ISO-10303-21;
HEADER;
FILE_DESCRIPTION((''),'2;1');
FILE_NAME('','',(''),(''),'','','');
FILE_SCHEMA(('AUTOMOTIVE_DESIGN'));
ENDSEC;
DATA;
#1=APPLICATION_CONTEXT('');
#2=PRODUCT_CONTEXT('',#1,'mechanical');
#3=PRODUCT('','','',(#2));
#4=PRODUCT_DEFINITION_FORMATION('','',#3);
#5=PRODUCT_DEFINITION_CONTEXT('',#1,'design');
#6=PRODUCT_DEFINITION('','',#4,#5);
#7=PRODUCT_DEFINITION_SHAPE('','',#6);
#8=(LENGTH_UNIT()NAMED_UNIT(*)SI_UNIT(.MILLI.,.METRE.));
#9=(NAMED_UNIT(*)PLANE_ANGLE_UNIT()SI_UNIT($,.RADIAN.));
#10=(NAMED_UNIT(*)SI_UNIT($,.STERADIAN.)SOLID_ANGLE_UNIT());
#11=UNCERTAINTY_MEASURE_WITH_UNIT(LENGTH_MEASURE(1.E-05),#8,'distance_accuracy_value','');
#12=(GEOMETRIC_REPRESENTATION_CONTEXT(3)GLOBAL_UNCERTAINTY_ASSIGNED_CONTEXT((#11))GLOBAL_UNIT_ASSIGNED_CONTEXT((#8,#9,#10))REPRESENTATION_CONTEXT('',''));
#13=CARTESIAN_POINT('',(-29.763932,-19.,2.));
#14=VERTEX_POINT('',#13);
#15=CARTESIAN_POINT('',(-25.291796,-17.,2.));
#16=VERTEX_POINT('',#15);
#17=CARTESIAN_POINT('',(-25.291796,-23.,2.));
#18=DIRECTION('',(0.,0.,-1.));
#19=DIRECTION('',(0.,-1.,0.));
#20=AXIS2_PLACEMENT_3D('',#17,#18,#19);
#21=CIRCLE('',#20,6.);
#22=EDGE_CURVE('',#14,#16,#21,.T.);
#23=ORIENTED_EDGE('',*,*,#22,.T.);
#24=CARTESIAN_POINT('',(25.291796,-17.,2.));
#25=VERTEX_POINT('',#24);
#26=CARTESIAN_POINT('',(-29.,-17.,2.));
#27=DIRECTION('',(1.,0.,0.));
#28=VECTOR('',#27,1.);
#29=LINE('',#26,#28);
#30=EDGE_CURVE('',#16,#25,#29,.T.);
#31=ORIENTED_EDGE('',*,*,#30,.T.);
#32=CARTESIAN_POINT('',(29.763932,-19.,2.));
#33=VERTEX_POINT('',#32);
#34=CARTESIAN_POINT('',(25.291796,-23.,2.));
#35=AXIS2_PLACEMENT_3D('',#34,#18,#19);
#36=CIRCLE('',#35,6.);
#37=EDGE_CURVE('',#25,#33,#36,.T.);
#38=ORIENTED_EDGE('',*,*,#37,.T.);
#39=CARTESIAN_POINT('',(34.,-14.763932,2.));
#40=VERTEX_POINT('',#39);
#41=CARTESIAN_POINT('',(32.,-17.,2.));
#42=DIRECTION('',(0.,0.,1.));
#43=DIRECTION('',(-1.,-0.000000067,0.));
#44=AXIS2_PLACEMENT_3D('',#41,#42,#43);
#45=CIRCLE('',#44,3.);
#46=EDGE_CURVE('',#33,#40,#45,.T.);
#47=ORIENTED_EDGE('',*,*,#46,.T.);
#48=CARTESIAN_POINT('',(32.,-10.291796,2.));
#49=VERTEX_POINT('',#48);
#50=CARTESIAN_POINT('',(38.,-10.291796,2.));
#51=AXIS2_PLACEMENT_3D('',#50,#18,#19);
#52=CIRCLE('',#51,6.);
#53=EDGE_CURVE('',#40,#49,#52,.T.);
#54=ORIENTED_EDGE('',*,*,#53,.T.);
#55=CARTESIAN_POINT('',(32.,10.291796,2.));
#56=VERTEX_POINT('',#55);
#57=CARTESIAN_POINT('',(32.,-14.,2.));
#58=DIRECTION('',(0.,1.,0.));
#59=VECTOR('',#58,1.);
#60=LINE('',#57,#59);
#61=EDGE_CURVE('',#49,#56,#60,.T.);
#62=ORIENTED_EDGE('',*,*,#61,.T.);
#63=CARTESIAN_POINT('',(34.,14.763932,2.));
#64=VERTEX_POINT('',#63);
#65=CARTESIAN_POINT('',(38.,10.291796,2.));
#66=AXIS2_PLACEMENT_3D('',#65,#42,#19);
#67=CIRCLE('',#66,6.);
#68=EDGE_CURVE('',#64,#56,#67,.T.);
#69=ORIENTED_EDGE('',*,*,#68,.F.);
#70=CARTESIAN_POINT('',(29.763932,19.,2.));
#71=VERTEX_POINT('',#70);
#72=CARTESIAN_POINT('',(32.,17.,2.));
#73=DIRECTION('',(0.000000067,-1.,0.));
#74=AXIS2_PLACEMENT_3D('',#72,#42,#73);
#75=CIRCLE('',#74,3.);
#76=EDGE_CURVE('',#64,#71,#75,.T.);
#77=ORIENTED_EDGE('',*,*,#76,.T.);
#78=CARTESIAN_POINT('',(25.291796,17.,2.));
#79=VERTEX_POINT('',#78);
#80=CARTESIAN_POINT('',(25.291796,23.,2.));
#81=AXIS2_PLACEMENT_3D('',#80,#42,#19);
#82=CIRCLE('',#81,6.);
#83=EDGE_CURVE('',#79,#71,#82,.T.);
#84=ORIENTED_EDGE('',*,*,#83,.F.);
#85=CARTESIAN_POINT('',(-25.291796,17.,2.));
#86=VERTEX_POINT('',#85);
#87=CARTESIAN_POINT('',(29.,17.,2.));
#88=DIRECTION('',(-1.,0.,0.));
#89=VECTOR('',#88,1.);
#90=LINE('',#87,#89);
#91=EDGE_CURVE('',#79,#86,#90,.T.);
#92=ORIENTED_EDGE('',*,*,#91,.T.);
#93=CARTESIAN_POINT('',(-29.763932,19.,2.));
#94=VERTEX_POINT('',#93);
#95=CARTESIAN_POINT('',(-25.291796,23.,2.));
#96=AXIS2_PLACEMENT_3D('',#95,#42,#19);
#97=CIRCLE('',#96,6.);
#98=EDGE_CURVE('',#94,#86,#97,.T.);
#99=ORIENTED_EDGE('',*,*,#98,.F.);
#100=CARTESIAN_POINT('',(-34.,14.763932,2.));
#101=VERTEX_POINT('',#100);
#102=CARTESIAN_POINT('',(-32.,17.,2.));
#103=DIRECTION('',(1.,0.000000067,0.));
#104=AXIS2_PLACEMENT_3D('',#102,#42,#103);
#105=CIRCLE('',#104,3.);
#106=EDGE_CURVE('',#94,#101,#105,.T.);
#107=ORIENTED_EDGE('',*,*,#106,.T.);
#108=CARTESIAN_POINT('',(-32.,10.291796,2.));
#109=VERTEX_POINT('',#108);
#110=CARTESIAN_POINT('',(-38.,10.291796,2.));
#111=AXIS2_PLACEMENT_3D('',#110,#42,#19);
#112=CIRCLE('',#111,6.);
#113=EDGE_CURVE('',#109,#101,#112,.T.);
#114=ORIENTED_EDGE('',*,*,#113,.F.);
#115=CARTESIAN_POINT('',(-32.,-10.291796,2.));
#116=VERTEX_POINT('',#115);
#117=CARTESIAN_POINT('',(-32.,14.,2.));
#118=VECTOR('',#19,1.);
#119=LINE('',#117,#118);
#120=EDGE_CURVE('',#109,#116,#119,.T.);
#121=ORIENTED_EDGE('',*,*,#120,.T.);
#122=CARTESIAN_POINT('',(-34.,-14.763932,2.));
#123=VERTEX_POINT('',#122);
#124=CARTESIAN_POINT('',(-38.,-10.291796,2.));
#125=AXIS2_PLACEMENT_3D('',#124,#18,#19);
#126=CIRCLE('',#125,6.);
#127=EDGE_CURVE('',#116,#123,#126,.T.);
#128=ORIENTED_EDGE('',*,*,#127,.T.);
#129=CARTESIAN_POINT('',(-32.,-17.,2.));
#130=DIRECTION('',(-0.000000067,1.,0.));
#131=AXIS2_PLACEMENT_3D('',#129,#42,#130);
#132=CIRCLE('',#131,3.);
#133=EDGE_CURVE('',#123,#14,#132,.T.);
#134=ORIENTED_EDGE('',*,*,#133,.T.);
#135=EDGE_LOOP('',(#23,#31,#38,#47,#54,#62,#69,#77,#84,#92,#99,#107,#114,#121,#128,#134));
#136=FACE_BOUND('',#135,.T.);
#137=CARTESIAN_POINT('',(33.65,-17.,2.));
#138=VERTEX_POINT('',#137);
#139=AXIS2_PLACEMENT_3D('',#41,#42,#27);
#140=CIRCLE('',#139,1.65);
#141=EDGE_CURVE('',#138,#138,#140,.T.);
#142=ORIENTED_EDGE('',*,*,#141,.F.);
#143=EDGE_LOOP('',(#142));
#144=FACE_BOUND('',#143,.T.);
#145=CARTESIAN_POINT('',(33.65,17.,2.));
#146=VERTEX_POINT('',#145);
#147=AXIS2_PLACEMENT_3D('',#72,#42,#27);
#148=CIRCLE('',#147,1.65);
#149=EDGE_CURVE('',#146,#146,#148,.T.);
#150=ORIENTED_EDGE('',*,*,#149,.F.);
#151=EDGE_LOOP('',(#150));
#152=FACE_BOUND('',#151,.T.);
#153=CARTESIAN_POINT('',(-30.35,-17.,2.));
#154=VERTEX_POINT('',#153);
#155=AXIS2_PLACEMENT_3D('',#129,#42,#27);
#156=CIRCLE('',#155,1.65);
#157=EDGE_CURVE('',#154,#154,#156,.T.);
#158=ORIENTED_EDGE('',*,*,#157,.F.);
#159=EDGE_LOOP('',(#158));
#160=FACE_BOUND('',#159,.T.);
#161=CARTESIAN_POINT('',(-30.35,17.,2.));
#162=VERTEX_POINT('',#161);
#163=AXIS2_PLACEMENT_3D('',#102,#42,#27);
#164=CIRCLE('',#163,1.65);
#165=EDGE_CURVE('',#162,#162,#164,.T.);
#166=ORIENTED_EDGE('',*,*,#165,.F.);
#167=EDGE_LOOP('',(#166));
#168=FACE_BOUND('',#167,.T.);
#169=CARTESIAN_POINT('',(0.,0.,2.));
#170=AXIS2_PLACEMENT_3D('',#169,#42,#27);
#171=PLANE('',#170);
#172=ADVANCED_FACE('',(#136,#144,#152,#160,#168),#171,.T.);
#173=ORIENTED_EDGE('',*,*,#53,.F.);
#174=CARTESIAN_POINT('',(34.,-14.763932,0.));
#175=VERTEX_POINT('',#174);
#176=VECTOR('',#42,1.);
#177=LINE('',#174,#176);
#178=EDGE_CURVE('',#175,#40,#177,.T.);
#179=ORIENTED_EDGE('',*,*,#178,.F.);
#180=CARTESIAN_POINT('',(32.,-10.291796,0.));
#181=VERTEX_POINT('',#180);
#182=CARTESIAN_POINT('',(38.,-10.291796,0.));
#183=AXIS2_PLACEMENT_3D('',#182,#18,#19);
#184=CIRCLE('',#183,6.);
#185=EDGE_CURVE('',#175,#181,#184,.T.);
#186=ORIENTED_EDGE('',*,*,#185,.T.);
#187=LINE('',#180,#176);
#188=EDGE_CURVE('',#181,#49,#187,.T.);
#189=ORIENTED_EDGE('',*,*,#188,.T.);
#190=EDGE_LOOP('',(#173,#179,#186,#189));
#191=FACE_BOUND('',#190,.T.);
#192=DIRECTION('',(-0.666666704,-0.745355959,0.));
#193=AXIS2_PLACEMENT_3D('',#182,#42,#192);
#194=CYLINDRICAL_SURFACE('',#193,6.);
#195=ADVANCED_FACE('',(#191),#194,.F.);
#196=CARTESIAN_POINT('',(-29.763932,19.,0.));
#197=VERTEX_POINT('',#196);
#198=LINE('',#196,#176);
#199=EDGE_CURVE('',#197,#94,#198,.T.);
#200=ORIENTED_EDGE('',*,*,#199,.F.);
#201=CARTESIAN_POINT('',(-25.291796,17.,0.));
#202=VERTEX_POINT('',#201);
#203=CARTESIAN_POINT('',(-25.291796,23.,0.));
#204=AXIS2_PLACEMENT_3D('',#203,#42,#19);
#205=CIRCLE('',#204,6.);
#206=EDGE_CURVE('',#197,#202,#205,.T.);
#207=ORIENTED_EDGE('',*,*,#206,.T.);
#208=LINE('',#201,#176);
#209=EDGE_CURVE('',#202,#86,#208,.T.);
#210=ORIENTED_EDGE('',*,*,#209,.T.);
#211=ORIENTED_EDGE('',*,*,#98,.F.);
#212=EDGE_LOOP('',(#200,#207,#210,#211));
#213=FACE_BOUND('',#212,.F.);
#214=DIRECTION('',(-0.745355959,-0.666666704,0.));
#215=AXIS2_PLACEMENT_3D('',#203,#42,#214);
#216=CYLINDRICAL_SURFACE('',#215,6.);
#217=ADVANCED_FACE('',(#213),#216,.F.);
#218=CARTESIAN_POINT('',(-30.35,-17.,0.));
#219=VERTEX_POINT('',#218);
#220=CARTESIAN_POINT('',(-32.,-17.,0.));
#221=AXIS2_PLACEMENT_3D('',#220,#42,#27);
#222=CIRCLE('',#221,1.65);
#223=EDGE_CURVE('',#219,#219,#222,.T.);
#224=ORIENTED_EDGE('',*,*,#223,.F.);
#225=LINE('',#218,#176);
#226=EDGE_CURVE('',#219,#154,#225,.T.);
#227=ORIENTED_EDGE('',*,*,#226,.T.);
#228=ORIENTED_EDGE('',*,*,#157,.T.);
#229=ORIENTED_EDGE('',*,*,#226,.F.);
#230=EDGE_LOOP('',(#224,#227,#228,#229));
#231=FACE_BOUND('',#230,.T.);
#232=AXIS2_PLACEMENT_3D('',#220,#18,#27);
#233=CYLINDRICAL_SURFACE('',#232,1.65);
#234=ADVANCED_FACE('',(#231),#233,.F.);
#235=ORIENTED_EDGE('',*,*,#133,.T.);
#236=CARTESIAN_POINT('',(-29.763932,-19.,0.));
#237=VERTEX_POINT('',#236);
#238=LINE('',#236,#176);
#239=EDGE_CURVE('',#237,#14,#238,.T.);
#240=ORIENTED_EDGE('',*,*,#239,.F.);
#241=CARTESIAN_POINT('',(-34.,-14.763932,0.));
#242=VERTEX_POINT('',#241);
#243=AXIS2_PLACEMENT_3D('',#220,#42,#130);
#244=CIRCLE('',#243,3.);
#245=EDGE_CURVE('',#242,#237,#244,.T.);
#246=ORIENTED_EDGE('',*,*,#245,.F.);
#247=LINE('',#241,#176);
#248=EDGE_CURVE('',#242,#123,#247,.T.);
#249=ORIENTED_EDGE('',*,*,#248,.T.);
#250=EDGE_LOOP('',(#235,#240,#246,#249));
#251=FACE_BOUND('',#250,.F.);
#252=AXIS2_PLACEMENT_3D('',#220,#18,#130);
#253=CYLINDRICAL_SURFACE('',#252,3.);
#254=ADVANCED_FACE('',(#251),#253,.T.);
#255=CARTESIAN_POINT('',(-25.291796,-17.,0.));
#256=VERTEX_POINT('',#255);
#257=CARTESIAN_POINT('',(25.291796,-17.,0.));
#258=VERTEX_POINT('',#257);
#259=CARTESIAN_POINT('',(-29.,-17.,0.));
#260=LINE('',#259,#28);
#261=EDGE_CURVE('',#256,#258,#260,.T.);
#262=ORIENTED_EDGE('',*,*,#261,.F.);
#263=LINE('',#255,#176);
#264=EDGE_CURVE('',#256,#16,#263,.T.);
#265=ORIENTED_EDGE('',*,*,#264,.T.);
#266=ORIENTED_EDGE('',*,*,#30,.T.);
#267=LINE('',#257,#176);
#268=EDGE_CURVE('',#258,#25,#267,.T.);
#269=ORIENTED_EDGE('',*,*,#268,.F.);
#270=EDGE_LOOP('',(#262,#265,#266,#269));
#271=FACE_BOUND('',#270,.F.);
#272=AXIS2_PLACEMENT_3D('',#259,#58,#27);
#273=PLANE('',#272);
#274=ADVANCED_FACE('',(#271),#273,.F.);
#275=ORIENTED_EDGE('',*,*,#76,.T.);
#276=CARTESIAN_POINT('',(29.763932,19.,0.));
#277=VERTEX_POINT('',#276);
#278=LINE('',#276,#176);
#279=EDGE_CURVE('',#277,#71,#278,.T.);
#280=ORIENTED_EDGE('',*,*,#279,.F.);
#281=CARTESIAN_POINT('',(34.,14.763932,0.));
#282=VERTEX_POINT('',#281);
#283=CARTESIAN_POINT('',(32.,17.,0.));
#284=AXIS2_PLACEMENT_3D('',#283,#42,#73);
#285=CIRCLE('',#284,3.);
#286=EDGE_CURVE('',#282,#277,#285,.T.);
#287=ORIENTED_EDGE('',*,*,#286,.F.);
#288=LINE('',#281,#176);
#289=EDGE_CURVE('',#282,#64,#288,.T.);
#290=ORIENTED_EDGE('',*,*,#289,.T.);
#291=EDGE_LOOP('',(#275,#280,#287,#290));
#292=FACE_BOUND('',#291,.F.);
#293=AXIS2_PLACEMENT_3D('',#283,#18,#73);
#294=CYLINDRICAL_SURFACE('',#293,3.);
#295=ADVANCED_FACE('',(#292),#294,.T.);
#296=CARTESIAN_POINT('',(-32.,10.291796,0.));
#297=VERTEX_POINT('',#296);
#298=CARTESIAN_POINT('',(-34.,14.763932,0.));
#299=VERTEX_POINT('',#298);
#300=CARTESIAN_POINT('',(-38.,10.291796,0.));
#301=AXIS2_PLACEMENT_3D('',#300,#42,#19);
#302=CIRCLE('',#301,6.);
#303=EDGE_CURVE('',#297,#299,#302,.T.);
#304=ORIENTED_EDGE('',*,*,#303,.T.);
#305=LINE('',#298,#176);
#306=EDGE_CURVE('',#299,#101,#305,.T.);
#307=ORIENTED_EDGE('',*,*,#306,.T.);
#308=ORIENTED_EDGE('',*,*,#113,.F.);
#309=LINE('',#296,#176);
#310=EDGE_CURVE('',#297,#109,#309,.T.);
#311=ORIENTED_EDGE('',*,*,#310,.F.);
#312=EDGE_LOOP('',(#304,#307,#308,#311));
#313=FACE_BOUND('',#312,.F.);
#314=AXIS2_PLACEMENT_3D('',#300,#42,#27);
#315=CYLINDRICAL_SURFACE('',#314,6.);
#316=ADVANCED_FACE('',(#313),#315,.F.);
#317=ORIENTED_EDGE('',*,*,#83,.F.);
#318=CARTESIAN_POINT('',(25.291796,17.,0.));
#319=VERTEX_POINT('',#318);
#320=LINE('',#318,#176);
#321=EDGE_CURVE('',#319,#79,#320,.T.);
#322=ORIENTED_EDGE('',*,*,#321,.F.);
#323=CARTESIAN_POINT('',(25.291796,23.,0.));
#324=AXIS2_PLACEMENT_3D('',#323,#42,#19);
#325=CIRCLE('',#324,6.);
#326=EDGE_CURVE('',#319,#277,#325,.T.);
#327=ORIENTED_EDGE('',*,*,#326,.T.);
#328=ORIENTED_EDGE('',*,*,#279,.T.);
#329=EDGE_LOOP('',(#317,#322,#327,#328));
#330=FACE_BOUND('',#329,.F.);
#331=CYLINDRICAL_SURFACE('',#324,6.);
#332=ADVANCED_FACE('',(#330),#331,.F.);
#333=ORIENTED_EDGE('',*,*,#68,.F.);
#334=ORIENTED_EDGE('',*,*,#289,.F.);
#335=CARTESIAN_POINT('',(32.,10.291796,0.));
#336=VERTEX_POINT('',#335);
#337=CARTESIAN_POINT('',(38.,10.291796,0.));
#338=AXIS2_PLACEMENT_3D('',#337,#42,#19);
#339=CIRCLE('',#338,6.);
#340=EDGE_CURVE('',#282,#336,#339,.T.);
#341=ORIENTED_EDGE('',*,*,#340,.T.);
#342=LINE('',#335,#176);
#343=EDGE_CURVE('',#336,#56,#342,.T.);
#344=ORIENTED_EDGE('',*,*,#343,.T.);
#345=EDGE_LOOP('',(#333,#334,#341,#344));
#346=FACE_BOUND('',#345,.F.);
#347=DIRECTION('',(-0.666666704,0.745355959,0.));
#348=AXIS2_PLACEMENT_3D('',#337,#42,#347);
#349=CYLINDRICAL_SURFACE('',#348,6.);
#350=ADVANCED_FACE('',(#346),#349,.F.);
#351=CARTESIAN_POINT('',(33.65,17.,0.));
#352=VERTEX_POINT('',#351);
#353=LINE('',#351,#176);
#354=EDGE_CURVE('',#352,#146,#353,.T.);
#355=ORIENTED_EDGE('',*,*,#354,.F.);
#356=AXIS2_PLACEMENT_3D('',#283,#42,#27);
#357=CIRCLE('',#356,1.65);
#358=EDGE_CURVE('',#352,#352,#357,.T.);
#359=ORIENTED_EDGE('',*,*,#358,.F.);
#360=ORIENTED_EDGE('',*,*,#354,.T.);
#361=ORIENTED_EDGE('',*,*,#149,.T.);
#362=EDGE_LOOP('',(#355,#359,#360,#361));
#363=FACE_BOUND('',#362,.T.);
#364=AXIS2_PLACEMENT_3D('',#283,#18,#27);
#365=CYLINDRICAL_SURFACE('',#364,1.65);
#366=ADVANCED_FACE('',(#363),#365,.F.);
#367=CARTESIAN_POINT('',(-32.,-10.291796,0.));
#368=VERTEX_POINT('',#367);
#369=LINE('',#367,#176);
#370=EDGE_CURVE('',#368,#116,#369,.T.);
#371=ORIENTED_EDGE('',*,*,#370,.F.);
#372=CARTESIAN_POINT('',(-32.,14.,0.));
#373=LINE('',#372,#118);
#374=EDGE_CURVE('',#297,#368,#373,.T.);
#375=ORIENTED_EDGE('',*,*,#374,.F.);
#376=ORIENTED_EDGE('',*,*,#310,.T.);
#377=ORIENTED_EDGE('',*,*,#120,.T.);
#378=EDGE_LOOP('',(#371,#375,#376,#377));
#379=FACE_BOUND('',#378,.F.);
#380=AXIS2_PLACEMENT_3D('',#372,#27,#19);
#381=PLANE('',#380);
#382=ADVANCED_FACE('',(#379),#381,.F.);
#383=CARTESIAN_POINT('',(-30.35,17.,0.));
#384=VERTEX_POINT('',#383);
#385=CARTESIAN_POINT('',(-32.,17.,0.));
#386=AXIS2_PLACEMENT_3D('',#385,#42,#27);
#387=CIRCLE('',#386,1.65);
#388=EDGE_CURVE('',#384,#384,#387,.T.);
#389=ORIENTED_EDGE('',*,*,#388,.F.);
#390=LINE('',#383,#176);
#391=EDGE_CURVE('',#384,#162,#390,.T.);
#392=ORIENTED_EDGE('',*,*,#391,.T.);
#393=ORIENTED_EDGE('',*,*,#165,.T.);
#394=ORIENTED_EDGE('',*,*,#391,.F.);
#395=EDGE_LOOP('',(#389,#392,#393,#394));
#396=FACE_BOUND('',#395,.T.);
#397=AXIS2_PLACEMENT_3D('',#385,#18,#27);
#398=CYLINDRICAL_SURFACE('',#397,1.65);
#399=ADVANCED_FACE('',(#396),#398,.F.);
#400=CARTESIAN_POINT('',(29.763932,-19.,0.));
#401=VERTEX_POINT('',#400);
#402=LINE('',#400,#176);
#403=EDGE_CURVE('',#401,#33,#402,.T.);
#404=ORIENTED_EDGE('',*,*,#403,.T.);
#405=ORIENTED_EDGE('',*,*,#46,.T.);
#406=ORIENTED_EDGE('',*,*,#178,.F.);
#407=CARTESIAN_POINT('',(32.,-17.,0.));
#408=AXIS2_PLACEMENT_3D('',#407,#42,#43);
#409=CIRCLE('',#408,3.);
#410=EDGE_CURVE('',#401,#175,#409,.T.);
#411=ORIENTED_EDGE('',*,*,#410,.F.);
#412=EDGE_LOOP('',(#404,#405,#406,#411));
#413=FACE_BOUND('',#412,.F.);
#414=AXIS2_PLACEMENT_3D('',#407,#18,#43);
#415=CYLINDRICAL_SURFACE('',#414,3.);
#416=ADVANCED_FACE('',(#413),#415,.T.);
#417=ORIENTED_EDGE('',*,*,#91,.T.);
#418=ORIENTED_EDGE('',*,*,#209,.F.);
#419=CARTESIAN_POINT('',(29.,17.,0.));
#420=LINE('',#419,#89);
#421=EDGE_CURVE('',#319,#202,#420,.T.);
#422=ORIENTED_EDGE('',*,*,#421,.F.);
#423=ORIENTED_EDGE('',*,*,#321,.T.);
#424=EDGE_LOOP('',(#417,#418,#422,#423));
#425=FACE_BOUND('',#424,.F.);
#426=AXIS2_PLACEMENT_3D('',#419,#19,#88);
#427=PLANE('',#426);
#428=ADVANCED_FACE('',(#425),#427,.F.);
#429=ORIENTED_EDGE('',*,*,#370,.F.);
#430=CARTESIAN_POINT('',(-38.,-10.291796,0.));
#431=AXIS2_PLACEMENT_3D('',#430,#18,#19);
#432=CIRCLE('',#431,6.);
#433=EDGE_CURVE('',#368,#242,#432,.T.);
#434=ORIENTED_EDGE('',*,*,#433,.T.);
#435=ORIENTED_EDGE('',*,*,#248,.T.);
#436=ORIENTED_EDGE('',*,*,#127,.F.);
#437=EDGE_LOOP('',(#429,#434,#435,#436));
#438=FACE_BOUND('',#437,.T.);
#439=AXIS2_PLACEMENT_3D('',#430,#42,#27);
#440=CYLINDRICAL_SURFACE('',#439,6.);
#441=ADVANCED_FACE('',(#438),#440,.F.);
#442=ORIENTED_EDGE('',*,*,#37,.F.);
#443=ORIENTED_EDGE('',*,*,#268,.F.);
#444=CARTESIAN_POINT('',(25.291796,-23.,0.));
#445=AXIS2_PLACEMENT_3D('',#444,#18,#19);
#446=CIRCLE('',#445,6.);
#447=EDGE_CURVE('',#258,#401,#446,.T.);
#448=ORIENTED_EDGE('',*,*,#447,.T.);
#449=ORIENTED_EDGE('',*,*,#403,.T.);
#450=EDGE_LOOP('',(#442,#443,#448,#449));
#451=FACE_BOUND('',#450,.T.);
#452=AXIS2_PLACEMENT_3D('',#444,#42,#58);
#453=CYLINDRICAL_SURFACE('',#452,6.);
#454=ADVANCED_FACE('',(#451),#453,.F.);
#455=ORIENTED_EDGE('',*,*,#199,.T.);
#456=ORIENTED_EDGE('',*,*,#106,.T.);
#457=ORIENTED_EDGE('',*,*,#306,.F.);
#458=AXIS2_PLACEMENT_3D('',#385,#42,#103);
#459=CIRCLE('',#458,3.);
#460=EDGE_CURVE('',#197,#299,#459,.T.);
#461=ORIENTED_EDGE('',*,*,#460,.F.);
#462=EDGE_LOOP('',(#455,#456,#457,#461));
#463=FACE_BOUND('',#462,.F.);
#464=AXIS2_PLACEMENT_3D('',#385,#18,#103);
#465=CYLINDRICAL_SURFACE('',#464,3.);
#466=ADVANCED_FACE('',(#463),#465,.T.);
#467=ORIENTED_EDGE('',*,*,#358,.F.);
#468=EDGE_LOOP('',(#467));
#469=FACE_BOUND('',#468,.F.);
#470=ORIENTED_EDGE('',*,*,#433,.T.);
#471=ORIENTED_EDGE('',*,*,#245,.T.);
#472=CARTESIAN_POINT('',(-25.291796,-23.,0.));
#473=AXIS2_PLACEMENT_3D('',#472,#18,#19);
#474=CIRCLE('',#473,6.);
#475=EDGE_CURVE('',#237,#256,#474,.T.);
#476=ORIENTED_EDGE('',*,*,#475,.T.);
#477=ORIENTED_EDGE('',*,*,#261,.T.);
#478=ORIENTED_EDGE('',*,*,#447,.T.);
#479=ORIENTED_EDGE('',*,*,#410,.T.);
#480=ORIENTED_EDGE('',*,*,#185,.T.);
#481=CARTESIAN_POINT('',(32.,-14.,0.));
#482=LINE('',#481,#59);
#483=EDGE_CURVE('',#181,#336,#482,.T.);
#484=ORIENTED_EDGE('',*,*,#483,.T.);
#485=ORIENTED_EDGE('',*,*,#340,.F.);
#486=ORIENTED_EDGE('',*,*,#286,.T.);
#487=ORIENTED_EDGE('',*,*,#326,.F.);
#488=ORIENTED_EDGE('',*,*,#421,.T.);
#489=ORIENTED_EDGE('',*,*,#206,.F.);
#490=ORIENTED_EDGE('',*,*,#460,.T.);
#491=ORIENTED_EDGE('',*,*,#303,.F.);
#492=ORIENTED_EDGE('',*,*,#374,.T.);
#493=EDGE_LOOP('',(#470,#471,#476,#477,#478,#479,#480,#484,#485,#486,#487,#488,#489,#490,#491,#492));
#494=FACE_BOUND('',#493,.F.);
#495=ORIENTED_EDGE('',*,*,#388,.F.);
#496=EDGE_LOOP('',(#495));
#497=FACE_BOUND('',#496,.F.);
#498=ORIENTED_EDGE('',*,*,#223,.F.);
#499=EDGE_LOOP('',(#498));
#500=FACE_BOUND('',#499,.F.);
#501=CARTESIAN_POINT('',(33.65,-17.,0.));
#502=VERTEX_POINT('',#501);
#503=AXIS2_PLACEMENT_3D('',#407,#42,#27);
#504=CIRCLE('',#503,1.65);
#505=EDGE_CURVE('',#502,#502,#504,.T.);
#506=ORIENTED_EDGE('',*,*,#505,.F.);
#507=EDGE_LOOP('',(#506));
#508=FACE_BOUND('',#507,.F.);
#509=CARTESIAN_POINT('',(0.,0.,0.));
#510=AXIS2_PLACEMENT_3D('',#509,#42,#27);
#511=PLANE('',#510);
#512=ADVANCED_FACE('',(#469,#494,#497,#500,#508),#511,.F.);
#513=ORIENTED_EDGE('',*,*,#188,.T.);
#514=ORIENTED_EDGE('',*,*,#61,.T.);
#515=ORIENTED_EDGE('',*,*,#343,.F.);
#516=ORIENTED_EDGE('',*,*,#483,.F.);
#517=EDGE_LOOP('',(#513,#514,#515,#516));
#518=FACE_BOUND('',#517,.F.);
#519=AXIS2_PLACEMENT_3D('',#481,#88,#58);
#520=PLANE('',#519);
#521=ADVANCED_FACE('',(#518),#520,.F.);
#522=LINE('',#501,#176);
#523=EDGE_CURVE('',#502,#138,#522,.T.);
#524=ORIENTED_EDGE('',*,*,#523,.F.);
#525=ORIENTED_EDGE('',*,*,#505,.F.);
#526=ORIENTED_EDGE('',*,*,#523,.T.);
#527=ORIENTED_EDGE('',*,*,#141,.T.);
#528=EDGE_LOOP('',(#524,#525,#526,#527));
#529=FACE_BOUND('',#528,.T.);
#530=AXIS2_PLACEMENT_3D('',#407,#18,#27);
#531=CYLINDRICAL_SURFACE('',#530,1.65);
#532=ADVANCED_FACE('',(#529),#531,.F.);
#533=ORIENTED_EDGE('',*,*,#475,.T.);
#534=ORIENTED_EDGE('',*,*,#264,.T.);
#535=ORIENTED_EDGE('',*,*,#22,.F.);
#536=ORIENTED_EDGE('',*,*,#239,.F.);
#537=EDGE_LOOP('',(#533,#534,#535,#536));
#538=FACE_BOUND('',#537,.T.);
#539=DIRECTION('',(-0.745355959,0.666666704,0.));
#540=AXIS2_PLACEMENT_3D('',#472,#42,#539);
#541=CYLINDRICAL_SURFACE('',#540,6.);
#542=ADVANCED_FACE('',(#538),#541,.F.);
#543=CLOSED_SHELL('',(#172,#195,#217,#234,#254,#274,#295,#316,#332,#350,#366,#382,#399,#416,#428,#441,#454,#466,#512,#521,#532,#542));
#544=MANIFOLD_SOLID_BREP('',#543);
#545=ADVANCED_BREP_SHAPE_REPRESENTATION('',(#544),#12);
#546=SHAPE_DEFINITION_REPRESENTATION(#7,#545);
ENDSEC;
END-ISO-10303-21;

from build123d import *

# Parameters (mm, degrees)
SKETCH_R  = 1.65
PAD_DEPTH = 2
FILLET_R  = 6


with BuildPart() as part:
    # Sketch → Pad (new body)
    with BuildSketch(Plane.XY):
        with BuildLine():
            Line((-32, 14), (-32, -14))
            ThreePointArc((-32, -14), (-34.12132, -19.12132), (-29, -17))
            Line((-29, -17), (29, -17))
            ThreePointArc((29, -17), (34.12132, -19.12132), (32, -14))
            Line((32, -14), (32, 14))
            ThreePointArc((32, 14), (34.12132, 19.12132), (29, 17))
            Line((29, 17), (-29, 17))
            ThreePointArc((-29, 17), (-34.12132, 19.12132), (-32, 14))
        make_face()
        with Locations((-32, 17)):
            Circle(SKETCH_R, mode=Mode.SUBTRACT)
        with Locations((-32, -17)):
            Circle(SKETCH_R, mode=Mode.SUBTRACT)
        with Locations((32, -17)):
            Circle(SKETCH_R, mode=Mode.SUBTRACT)
        with Locations((32, 17)):
            Circle(SKETCH_R, mode=Mode.SUBTRACT)
    extrude(amount=PAD_DEPTH)

    # Fillet
    fillet_edges = [part.edges().sort_by_distance(p)[0] for p in [
        (-29, -17, 1),
        (29, -17, 1),
        (32, -14, 1),
        (32, 14, 1),
        (29, 17, 1),
        (-29, 17, 1),
        (-32, 14, 1),
        (-32, -14, 1),
    ]]
    fillet(fillet_edges, radius=FILLET_R)


solid = part.part
